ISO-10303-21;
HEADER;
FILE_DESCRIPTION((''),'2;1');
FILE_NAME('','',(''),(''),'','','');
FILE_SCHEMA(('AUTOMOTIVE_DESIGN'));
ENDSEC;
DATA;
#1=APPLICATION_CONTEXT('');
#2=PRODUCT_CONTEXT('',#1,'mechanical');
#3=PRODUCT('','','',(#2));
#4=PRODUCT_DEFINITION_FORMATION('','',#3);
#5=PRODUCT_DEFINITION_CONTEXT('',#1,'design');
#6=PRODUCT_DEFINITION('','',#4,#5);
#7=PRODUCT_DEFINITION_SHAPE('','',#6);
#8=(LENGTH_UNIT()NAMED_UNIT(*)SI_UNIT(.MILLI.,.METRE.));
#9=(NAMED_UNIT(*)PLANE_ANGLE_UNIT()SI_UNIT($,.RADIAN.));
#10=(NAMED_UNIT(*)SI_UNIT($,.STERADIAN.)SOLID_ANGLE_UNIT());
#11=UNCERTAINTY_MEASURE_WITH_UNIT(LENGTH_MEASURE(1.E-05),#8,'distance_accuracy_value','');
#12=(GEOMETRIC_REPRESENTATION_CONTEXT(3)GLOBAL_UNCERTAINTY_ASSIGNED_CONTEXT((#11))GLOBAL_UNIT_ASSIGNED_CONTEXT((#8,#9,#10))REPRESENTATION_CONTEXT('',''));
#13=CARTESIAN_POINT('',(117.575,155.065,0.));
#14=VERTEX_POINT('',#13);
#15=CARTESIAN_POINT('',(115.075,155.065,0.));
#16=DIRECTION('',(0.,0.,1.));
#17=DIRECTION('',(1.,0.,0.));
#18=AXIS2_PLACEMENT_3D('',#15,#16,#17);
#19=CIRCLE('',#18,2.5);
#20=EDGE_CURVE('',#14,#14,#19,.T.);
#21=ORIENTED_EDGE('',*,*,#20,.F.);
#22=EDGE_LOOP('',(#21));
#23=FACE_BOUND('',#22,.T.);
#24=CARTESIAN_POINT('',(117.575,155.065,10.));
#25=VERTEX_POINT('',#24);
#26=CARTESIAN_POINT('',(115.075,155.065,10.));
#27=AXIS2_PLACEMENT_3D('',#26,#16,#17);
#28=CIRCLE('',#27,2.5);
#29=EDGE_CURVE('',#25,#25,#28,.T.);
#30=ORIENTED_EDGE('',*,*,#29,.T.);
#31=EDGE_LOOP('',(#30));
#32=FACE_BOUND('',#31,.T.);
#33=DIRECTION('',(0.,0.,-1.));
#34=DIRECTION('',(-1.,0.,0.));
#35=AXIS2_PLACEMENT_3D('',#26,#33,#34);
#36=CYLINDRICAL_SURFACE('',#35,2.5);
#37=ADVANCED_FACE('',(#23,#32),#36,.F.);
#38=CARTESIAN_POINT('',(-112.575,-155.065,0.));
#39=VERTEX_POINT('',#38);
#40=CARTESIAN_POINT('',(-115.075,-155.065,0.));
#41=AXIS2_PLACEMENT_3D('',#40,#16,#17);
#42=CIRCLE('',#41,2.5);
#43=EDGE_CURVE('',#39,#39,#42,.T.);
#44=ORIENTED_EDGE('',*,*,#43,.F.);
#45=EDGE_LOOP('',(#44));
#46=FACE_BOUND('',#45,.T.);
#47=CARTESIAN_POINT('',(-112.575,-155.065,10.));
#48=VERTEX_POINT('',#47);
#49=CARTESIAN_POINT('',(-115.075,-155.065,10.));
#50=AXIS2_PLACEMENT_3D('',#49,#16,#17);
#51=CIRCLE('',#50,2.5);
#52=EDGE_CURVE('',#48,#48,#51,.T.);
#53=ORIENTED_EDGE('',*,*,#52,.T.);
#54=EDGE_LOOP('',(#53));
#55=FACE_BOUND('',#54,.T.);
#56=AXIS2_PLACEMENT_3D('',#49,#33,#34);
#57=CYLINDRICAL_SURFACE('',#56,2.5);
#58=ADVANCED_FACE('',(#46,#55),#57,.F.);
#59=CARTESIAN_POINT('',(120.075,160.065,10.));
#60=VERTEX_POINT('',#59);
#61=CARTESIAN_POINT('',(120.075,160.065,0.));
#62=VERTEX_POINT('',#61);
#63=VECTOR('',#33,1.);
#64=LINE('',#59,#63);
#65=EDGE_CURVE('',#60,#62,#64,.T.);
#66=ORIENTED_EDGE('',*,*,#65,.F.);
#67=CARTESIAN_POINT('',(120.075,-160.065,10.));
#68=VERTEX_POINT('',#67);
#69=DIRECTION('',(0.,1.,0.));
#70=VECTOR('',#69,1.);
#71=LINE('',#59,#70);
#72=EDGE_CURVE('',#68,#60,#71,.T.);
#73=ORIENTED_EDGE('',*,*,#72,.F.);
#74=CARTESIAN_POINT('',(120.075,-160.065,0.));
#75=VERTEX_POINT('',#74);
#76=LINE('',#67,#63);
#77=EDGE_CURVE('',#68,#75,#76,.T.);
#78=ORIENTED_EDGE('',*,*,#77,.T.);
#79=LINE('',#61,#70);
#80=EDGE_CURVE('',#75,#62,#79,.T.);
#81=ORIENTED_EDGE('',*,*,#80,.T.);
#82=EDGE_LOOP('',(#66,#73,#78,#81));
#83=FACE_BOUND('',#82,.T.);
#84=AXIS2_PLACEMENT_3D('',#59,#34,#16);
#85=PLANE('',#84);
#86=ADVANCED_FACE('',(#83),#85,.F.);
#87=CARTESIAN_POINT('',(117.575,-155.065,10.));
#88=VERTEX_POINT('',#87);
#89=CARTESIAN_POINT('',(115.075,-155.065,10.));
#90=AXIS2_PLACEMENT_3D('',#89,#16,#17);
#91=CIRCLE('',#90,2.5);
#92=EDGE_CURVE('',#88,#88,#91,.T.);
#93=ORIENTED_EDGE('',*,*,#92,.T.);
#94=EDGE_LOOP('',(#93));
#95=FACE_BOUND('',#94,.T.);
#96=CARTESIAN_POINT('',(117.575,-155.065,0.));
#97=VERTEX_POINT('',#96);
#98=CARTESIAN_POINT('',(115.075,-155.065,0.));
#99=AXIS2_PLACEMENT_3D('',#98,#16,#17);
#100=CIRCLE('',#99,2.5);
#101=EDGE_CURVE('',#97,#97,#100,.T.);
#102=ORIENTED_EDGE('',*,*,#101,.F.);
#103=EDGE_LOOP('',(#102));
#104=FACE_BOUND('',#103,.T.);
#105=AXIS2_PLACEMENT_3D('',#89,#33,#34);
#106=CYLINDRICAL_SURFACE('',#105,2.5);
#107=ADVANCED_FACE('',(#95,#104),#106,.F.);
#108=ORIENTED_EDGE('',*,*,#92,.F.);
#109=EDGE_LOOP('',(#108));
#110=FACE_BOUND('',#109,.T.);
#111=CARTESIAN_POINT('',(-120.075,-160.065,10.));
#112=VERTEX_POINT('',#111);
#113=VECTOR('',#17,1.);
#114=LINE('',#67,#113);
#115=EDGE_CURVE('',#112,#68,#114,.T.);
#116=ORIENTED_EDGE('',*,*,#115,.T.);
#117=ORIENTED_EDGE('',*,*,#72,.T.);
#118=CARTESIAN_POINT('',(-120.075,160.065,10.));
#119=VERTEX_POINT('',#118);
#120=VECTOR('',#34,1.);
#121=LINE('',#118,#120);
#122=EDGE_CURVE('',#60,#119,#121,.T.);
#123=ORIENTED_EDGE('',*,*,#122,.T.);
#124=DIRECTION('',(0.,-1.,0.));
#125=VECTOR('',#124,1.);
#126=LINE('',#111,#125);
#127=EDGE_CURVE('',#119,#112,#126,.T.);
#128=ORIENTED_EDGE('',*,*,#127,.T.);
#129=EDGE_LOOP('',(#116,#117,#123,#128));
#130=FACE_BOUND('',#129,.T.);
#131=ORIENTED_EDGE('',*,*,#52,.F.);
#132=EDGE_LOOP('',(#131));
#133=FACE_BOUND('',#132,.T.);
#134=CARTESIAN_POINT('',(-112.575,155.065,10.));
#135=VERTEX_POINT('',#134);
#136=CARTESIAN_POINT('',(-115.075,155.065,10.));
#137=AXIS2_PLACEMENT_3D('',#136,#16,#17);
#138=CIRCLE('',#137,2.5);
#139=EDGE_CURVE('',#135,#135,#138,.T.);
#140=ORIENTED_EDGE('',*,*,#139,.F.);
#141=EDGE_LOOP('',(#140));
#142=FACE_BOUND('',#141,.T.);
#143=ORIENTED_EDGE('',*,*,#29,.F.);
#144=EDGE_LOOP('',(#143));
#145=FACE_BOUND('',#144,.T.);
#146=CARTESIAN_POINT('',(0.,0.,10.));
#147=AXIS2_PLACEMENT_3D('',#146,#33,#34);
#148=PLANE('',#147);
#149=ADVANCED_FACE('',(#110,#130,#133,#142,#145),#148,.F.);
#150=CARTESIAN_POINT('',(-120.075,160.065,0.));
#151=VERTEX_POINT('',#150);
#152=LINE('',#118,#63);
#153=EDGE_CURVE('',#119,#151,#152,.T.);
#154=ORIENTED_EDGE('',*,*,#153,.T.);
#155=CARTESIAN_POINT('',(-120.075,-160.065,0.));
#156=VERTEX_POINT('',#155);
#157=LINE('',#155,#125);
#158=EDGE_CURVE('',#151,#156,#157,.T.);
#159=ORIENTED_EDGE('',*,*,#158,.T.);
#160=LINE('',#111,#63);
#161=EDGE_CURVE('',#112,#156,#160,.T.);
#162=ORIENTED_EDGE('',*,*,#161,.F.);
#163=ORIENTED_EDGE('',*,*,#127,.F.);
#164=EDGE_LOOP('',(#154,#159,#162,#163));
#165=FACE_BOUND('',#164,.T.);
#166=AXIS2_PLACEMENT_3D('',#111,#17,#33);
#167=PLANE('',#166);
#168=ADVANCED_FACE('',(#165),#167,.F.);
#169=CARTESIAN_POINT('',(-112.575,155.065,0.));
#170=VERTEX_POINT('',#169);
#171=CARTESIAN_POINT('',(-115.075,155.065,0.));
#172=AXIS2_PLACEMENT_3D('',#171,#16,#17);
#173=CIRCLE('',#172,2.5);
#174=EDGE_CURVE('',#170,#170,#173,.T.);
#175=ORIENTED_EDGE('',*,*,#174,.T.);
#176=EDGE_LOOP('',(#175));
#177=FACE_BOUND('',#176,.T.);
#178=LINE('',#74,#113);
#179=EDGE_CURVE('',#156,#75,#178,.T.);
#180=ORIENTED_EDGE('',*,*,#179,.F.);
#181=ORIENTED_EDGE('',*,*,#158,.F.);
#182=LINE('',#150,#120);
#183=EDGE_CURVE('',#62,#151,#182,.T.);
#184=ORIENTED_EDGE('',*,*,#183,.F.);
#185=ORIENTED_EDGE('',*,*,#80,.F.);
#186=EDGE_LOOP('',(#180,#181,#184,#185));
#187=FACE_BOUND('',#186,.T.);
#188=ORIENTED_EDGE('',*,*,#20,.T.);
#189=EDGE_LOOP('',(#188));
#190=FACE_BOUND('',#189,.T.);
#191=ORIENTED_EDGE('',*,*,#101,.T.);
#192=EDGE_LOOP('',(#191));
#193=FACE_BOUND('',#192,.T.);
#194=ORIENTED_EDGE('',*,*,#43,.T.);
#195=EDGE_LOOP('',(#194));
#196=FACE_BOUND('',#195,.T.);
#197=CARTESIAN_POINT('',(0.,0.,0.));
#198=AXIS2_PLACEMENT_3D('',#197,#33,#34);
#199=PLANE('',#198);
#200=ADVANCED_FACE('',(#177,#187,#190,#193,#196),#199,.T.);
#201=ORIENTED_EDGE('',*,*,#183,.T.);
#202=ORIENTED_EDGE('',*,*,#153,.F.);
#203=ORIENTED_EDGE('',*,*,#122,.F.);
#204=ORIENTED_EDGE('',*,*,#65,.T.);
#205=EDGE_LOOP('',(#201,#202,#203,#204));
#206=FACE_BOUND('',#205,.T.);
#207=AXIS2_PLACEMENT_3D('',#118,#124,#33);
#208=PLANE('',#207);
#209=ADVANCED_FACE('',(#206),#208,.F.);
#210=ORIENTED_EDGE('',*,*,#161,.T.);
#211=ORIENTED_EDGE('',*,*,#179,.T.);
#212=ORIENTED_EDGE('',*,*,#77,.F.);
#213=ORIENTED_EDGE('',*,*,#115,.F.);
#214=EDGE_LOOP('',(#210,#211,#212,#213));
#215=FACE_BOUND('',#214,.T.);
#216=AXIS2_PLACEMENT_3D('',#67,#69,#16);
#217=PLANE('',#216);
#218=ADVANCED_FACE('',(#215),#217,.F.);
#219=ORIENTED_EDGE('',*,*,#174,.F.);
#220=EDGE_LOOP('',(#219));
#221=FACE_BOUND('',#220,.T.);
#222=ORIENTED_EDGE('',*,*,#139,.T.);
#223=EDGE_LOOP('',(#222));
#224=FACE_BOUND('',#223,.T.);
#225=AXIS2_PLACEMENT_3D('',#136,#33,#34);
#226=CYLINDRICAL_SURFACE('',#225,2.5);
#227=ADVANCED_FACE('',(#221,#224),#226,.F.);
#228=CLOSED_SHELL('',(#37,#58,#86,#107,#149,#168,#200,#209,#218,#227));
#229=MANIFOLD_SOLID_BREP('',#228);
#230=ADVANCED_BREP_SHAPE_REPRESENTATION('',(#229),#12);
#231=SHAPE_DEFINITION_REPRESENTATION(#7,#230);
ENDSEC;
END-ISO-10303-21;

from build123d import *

# Parameters (mm, degrees)
SKETCH1_W           = 240.15
SKETCH1_H           = 320.13
SKETCH1_R           = 2.5
BOSS_EXTRUDE1_DEPTH = 10


with BuildPart() as part:
    # Sketch1 → Boss-Extrude1 (new body)
    with BuildSketch(Plane.XY):
        Rectangle(SKETCH1_W, SKETCH1_H)
        with Locations((-115.075, 155.065)):
            Circle(SKETCH1_R, mode=Mode.SUBTRACT)
        with Locations((115.075, 155.065)):
            Circle(SKETCH1_R, mode=Mode.SUBTRACT)
        with Locations((-115.075, -155.065)):
            Circle(SKETCH1_R, mode=Mode.SUBTRACT)
        with Locations((115.075, -155.065)):
            Circle(SKETCH1_R, mode=Mode.SUBTRACT)
    extrude(amount=BOSS_EXTRUDE1_DEPTH)


solid = part.part
